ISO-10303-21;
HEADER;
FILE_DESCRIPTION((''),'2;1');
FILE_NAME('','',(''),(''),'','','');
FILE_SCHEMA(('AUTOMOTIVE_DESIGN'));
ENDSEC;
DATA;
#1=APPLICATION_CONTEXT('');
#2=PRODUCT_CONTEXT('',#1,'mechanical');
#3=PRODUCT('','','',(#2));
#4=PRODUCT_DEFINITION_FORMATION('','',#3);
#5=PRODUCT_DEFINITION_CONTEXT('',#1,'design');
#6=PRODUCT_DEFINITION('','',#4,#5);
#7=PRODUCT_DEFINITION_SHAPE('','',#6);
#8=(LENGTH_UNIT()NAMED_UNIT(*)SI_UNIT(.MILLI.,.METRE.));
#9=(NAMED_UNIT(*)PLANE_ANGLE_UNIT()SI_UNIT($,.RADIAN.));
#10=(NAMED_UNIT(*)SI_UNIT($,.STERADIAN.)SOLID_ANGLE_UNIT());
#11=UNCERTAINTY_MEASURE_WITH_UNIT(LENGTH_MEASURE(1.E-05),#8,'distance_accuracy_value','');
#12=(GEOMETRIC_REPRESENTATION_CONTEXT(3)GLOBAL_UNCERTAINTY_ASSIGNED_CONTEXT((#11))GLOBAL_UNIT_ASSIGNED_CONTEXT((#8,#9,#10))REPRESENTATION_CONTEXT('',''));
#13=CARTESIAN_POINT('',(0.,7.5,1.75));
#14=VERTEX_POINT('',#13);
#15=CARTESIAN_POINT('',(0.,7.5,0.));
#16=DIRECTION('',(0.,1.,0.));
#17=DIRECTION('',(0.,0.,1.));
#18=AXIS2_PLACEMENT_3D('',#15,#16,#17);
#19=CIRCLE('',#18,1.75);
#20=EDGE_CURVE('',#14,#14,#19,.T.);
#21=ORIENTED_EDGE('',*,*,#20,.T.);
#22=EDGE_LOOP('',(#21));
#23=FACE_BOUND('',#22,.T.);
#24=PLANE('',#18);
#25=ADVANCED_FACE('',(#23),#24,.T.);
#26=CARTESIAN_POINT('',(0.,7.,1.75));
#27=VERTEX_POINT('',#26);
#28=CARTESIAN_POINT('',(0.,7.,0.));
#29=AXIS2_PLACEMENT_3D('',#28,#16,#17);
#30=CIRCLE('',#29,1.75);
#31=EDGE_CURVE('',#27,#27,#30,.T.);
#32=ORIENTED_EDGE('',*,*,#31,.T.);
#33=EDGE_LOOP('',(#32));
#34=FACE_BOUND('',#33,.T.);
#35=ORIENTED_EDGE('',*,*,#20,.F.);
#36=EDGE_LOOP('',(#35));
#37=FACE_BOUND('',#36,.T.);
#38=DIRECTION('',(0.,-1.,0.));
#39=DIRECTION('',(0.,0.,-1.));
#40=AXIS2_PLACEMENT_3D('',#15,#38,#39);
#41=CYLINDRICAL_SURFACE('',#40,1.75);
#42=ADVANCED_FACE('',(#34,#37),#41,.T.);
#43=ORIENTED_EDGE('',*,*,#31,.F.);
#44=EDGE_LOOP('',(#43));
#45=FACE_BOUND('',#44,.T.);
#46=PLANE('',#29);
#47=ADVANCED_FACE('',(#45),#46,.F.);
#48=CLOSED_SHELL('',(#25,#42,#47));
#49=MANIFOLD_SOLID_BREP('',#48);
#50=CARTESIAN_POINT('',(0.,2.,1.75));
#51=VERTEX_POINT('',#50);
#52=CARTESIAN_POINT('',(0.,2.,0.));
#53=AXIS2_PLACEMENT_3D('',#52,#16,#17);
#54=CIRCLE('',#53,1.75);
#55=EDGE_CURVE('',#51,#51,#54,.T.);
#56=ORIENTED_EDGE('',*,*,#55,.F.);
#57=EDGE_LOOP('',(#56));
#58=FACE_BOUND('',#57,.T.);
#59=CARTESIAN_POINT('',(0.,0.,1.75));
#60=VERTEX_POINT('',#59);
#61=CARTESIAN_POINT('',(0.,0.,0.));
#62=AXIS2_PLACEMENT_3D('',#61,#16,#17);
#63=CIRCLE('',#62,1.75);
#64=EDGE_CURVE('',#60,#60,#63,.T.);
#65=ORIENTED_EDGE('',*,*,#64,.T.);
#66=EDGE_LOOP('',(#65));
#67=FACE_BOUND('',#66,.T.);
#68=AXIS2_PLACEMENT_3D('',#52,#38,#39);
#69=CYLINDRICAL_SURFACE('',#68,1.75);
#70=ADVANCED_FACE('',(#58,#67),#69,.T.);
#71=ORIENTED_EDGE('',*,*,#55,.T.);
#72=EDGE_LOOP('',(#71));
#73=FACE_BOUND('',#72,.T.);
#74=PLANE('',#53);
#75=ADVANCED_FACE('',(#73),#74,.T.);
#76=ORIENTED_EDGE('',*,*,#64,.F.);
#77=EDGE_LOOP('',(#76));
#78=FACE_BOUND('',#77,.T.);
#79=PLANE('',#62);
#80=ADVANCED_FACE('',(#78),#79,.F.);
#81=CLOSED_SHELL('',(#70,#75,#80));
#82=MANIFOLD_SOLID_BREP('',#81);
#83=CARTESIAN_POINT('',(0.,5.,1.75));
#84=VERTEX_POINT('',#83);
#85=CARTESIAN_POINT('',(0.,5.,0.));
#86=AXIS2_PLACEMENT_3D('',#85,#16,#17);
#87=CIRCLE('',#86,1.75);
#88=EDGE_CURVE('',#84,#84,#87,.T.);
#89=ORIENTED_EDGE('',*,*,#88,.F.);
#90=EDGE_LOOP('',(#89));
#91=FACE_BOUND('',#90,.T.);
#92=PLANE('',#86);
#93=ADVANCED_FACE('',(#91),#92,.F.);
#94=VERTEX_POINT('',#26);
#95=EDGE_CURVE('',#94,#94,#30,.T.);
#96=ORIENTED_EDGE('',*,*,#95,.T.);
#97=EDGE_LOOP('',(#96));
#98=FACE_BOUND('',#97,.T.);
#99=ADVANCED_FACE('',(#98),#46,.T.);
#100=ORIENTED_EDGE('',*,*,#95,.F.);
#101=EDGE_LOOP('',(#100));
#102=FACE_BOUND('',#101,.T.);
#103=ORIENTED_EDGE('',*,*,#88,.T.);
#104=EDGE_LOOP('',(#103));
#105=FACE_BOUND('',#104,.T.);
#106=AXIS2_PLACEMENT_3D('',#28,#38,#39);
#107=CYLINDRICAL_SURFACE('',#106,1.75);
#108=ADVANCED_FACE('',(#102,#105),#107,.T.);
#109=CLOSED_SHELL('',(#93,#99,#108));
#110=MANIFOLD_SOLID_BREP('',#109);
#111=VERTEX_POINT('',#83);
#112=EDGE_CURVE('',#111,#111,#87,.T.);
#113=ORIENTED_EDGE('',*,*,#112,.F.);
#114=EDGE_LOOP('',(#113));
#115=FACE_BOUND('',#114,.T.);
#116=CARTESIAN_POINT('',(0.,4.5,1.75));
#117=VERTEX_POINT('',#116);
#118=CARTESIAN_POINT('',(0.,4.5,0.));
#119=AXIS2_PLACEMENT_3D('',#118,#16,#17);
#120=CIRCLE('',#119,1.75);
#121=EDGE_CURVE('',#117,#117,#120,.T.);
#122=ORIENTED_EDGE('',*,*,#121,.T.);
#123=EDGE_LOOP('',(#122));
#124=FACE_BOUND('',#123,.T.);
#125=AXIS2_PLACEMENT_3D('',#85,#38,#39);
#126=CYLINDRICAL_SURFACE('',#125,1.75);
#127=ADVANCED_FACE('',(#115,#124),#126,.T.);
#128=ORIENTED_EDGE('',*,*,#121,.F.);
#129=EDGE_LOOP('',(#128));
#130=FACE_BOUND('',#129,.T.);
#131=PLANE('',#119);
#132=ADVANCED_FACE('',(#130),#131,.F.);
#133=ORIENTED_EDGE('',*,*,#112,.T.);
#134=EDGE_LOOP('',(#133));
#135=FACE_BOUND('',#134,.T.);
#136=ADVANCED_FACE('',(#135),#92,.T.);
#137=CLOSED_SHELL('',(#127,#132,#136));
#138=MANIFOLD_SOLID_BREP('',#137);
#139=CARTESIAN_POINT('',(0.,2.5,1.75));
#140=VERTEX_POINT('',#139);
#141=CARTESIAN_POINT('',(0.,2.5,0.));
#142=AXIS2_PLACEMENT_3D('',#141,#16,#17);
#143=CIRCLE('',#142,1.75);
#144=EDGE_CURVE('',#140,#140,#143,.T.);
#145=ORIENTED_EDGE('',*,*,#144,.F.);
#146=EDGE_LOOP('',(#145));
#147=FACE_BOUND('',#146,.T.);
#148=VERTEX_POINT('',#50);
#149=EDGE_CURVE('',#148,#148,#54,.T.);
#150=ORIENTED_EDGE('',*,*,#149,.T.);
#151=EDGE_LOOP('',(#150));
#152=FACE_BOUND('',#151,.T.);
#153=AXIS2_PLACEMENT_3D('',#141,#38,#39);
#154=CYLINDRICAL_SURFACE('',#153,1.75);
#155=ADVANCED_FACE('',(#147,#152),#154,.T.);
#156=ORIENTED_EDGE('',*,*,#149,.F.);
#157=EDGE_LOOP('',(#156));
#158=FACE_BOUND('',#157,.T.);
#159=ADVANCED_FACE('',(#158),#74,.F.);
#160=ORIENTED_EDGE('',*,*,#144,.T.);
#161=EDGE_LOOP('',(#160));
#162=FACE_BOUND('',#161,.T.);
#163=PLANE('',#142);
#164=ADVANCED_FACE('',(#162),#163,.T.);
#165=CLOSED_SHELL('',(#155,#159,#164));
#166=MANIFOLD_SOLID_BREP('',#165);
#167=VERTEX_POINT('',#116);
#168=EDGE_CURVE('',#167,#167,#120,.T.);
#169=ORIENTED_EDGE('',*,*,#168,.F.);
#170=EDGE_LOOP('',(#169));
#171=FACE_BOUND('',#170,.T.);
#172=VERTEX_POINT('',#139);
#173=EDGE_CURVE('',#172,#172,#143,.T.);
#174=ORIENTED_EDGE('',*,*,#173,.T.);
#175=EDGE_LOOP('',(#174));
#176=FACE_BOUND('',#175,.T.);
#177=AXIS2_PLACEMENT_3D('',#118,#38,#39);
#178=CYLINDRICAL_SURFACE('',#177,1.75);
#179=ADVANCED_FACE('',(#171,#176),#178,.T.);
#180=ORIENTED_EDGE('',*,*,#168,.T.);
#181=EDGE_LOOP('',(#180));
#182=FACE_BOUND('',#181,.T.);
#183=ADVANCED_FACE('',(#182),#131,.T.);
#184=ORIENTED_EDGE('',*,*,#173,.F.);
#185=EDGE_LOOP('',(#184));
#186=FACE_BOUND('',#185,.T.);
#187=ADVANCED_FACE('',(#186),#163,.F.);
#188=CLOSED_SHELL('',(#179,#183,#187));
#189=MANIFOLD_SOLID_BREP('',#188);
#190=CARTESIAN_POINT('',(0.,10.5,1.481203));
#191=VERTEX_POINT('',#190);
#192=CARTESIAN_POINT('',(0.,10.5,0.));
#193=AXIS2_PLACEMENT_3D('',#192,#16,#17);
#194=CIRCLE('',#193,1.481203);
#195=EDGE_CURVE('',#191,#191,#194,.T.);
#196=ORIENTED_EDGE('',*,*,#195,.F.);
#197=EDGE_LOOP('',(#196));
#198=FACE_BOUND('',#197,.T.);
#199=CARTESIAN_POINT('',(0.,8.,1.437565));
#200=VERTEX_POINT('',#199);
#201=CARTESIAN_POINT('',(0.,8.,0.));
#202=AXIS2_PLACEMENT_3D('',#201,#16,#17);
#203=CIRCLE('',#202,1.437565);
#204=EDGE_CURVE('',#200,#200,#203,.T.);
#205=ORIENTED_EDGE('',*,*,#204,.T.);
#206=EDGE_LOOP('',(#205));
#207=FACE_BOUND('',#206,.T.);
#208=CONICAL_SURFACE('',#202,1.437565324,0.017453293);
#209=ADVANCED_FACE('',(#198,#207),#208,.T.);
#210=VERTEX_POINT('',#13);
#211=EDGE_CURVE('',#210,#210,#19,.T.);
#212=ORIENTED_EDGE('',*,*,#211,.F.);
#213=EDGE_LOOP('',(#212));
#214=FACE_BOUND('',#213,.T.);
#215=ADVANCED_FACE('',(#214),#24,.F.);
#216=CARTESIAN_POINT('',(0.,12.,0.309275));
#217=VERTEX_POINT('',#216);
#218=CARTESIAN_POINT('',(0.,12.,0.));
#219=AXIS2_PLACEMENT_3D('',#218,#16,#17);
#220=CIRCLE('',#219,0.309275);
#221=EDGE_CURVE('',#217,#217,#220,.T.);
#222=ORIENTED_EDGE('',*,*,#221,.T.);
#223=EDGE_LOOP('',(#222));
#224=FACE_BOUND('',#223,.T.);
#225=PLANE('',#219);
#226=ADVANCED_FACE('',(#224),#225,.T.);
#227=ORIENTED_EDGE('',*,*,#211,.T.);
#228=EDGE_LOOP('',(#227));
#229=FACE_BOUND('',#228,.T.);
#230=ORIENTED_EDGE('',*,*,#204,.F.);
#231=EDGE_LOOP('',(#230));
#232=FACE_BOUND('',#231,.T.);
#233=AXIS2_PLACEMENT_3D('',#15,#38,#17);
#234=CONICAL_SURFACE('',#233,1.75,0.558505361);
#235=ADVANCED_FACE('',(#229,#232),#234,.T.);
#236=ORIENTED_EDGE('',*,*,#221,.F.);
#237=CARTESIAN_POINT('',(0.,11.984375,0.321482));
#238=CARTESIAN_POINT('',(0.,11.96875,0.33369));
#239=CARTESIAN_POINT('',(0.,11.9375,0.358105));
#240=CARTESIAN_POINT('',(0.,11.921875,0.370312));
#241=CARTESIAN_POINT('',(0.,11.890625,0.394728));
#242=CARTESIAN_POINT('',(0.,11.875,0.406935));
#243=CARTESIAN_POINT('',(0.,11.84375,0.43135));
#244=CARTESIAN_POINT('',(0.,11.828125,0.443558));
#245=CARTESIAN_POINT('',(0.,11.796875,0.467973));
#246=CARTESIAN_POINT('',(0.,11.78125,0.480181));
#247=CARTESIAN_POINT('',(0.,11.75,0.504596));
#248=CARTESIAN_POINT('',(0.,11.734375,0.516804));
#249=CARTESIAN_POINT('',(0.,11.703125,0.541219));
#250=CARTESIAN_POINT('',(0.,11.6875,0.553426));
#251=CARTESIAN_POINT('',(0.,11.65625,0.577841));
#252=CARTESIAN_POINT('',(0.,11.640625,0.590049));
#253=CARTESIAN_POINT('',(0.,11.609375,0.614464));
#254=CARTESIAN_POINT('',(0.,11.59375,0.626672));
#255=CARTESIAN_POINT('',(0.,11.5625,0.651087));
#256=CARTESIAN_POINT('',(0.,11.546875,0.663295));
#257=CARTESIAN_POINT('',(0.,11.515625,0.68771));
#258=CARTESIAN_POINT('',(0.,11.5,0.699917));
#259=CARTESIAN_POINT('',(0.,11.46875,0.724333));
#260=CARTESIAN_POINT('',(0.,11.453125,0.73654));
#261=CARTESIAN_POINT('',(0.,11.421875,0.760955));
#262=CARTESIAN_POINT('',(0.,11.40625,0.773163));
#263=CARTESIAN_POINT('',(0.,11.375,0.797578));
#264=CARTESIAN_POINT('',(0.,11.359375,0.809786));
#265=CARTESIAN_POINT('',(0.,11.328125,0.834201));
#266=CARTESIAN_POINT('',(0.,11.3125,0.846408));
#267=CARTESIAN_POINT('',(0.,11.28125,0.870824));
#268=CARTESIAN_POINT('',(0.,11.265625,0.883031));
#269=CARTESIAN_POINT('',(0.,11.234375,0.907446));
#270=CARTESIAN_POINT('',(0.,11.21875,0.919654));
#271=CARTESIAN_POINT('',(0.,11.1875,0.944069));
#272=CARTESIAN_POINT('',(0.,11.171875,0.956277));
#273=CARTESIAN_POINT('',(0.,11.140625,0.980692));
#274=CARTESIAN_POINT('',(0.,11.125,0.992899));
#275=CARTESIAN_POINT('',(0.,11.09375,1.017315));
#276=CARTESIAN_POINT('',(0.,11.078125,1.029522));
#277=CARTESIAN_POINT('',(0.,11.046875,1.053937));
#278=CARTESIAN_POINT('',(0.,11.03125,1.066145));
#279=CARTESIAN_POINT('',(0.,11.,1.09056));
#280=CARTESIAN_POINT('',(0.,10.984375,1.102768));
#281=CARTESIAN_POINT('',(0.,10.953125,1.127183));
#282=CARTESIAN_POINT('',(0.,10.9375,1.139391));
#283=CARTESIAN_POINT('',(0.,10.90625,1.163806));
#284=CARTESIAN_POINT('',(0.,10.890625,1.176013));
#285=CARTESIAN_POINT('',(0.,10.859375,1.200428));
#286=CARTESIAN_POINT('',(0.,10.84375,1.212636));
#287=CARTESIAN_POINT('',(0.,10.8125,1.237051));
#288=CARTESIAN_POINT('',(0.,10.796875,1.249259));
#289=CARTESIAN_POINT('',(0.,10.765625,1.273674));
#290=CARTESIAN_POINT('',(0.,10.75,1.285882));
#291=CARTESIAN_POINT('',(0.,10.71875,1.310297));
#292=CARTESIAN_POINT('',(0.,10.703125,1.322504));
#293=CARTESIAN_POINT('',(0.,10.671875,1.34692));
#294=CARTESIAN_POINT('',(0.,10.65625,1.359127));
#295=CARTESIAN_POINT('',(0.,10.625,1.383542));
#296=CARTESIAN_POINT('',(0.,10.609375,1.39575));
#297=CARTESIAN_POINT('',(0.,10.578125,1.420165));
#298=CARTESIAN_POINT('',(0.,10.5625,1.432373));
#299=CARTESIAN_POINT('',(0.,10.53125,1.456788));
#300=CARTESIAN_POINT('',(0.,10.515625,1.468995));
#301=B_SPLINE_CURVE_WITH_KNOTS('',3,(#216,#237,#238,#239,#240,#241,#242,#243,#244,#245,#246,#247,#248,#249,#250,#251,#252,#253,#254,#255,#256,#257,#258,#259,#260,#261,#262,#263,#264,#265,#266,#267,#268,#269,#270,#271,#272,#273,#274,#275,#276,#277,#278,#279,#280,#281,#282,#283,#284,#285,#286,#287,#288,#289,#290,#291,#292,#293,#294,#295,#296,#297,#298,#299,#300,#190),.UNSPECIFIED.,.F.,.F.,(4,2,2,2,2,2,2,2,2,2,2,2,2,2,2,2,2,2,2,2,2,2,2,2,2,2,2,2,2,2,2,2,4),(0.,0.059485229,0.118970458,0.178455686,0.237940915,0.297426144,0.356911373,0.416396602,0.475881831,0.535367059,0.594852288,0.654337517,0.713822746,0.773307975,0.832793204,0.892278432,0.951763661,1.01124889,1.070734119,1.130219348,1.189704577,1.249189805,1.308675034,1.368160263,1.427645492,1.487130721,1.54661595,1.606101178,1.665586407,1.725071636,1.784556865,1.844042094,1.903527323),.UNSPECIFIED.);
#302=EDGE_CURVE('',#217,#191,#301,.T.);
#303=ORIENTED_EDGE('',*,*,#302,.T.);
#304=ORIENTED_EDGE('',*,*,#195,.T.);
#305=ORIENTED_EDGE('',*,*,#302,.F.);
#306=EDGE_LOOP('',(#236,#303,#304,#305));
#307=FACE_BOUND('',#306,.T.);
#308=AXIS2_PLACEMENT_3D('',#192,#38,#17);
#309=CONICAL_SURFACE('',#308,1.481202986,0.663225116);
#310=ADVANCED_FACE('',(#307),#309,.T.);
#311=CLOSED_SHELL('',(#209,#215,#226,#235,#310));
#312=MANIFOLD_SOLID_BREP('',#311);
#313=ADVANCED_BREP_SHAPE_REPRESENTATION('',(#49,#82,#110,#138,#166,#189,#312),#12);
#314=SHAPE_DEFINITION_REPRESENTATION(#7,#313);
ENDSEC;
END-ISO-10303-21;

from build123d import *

# Parameters (mm, degrees)
SKETCH1_R           = 1.75
BOSS_EXTRUDE1_DEPTH = 2
SKETCH2_R           = 1.75
BOSS_EXTRUDE2_DEPTH = 0.5
SKETCH3_R           = 1.75
BOSS_EXTRUDE3_DEPTH = 2
SKETCH4_R           = 1.75
BOSS_EXTRUDE4_DEPTH = 0.5
SKETCH5_R           = 1.75
BOSS_EXTRUDE5_DEPTH = 2
SKETCH7_R           = 1.75
BOSS_EXTRUDE6_DEPTH = 0.5
SKETCH8_R           = 1.75
BOSS_EXTRUDE7_DEPTH = 0.5
BOSS_EXTRUDE7_TAPER = 32
SKETCH9_R           = 1.437565324
BOSS_EXTRUDE8_DEPTH = 2.5
BOSS_EXTRUDE8_DRAFT = -1
SKETCH10_R          = 1.481202986
BOSS_EXTRUDE9_DEPTH = 1.5
BOSS_EXTRUDE9_TAPER = 38


with BuildPart() as part:
    # Sketch1 → Boss-Extrude1 (new body)
    with BuildSketch(Plane(origin=(0, 0, 0), x_dir=(1, 0, 0), z_dir=(0, 1, 0))):
        with Locations(Location((0, 0, 0), (0, 0, 270))):
            Circle(SKETCH1_R)
    extrude(amount=BOSS_EXTRUDE1_DEPTH)


with BuildPart() as body_2:
    # Sketch2 → Boss-Extrude2 (new body)
    with BuildSketch(Plane(origin=(0, 2, 0), x_dir=(1, 0, 0), z_dir=(0, 1, 0))):
        with Locations(Location((0, 0, 0), (0, 0, 270))):
            Circle(SKETCH2_R)
    extrude(amount=BOSS_EXTRUDE2_DEPTH)


with BuildPart() as body_3:
    # Sketch3 → Boss-Extrude3 (new body)
    with BuildSketch(Plane(origin=(0, 2.5, 0), x_dir=(1, 0, 0), z_dir=(0, 1, 0))):
        with Locations(Location((0, 0, 0), (0, 0, 270))):
            Circle(SKETCH3_R)
    extrude(amount=BOSS_EXTRUDE3_DEPTH)


with BuildPart() as body_4:
    # Sketch4 → Boss-Extrude4 (new body)
    with BuildSketch(Plane(origin=(0, 4.5, 0), x_dir=(1, 0, 0), z_dir=(0, 1, 0))):
        with Locations(Location((0, 0, 0), (0, 0, 270))):
            Circle(SKETCH4_R)
    extrude(amount=BOSS_EXTRUDE4_DEPTH)


with BuildPart() as body_5:
    # Sketch5 → Boss-Extrude5 (new body)
    with BuildSketch(Plane(origin=(0, 5, 0), x_dir=(1, 0, 0), z_dir=(0, 1, 0))):
        with Locations(Location((0, 0, 0), (0, 0, 270))):
            Circle(SKETCH5_R)
    extrude(amount=BOSS_EXTRUDE5_DEPTH)


with BuildPart() as body_6:
    # Sketch7 → Boss-Extrude6 (new body)
    with BuildSketch(Plane(origin=(0, 7, 0), x_dir=(1, 0, 0), z_dir=(0, 1, 0))):
        with Locations(Location((0, 0, 0), (0, 0, 270))):
            Circle(SKETCH7_R)
    extrude(amount=BOSS_EXTRUDE6_DEPTH)


with BuildPart() as body_7:
    # Sketch8 → Boss-Extrude7 (new body)
    with BuildSketch(Plane(origin=(0, 7.5, 0), x_dir=(1, 0, 0), z_dir=(0, 1, 0))):
        with Locations(Location((0, 0, 0), (0, 0, 270))):
            Circle(SKETCH8_R)
    extrude(amount=BOSS_EXTRUDE7_DEPTH, taper=BOSS_EXTRUDE7_TAPER)


with BuildPart() as boss_extrude8_tool:
    # Sketch9 → Boss-Extrude8 (with draft: the straight prism first)
    with BuildSketch(Plane(origin=(0, 8, 0), x_dir=(1, 0, 0), z_dir=(0, 1, 0))):
        Circle(SKETCH9_R)
    extrude(amount=BOSS_EXTRUDE8_DEPTH)
    # Boss-Extrude8: the draft: its side faces are tilted about the plane it starts from
    boss_extrude8_sides = [boss_extrude8_tool.faces().sort_by_distance(p)[0] for p in [
        (-1.437565324, 9.25, 0),
    ]]
    draft(boss_extrude8_sides, Plane(origin=(0, 8, 0), x_dir=(1, 0, 0), z_dir=(0, 1, 0)), BOSS_EXTRUDE8_DRAFT)


with BuildPart() as body_7_1:
    add(body_7.part)

    # Boss-Extrude8: add boss_extrude8_tool
    add(boss_extrude8_tool.part)

    # Sketch10 → Boss-Extrude9 (add)
    with BuildSketch(Plane(origin=(0, 10.5, 0), x_dir=(1, 0, 0), z_dir=(0, 1, 0))):
        Circle(SKETCH10_R)
    extrude(amount=BOSS_EXTRUDE9_DEPTH, taper=BOSS_EXTRUDE9_TAPER)


solid = Compound([part.part, body_2.part, body_3.part, body_4.part, body_5.part, body_6.part, body_7_1.part])
